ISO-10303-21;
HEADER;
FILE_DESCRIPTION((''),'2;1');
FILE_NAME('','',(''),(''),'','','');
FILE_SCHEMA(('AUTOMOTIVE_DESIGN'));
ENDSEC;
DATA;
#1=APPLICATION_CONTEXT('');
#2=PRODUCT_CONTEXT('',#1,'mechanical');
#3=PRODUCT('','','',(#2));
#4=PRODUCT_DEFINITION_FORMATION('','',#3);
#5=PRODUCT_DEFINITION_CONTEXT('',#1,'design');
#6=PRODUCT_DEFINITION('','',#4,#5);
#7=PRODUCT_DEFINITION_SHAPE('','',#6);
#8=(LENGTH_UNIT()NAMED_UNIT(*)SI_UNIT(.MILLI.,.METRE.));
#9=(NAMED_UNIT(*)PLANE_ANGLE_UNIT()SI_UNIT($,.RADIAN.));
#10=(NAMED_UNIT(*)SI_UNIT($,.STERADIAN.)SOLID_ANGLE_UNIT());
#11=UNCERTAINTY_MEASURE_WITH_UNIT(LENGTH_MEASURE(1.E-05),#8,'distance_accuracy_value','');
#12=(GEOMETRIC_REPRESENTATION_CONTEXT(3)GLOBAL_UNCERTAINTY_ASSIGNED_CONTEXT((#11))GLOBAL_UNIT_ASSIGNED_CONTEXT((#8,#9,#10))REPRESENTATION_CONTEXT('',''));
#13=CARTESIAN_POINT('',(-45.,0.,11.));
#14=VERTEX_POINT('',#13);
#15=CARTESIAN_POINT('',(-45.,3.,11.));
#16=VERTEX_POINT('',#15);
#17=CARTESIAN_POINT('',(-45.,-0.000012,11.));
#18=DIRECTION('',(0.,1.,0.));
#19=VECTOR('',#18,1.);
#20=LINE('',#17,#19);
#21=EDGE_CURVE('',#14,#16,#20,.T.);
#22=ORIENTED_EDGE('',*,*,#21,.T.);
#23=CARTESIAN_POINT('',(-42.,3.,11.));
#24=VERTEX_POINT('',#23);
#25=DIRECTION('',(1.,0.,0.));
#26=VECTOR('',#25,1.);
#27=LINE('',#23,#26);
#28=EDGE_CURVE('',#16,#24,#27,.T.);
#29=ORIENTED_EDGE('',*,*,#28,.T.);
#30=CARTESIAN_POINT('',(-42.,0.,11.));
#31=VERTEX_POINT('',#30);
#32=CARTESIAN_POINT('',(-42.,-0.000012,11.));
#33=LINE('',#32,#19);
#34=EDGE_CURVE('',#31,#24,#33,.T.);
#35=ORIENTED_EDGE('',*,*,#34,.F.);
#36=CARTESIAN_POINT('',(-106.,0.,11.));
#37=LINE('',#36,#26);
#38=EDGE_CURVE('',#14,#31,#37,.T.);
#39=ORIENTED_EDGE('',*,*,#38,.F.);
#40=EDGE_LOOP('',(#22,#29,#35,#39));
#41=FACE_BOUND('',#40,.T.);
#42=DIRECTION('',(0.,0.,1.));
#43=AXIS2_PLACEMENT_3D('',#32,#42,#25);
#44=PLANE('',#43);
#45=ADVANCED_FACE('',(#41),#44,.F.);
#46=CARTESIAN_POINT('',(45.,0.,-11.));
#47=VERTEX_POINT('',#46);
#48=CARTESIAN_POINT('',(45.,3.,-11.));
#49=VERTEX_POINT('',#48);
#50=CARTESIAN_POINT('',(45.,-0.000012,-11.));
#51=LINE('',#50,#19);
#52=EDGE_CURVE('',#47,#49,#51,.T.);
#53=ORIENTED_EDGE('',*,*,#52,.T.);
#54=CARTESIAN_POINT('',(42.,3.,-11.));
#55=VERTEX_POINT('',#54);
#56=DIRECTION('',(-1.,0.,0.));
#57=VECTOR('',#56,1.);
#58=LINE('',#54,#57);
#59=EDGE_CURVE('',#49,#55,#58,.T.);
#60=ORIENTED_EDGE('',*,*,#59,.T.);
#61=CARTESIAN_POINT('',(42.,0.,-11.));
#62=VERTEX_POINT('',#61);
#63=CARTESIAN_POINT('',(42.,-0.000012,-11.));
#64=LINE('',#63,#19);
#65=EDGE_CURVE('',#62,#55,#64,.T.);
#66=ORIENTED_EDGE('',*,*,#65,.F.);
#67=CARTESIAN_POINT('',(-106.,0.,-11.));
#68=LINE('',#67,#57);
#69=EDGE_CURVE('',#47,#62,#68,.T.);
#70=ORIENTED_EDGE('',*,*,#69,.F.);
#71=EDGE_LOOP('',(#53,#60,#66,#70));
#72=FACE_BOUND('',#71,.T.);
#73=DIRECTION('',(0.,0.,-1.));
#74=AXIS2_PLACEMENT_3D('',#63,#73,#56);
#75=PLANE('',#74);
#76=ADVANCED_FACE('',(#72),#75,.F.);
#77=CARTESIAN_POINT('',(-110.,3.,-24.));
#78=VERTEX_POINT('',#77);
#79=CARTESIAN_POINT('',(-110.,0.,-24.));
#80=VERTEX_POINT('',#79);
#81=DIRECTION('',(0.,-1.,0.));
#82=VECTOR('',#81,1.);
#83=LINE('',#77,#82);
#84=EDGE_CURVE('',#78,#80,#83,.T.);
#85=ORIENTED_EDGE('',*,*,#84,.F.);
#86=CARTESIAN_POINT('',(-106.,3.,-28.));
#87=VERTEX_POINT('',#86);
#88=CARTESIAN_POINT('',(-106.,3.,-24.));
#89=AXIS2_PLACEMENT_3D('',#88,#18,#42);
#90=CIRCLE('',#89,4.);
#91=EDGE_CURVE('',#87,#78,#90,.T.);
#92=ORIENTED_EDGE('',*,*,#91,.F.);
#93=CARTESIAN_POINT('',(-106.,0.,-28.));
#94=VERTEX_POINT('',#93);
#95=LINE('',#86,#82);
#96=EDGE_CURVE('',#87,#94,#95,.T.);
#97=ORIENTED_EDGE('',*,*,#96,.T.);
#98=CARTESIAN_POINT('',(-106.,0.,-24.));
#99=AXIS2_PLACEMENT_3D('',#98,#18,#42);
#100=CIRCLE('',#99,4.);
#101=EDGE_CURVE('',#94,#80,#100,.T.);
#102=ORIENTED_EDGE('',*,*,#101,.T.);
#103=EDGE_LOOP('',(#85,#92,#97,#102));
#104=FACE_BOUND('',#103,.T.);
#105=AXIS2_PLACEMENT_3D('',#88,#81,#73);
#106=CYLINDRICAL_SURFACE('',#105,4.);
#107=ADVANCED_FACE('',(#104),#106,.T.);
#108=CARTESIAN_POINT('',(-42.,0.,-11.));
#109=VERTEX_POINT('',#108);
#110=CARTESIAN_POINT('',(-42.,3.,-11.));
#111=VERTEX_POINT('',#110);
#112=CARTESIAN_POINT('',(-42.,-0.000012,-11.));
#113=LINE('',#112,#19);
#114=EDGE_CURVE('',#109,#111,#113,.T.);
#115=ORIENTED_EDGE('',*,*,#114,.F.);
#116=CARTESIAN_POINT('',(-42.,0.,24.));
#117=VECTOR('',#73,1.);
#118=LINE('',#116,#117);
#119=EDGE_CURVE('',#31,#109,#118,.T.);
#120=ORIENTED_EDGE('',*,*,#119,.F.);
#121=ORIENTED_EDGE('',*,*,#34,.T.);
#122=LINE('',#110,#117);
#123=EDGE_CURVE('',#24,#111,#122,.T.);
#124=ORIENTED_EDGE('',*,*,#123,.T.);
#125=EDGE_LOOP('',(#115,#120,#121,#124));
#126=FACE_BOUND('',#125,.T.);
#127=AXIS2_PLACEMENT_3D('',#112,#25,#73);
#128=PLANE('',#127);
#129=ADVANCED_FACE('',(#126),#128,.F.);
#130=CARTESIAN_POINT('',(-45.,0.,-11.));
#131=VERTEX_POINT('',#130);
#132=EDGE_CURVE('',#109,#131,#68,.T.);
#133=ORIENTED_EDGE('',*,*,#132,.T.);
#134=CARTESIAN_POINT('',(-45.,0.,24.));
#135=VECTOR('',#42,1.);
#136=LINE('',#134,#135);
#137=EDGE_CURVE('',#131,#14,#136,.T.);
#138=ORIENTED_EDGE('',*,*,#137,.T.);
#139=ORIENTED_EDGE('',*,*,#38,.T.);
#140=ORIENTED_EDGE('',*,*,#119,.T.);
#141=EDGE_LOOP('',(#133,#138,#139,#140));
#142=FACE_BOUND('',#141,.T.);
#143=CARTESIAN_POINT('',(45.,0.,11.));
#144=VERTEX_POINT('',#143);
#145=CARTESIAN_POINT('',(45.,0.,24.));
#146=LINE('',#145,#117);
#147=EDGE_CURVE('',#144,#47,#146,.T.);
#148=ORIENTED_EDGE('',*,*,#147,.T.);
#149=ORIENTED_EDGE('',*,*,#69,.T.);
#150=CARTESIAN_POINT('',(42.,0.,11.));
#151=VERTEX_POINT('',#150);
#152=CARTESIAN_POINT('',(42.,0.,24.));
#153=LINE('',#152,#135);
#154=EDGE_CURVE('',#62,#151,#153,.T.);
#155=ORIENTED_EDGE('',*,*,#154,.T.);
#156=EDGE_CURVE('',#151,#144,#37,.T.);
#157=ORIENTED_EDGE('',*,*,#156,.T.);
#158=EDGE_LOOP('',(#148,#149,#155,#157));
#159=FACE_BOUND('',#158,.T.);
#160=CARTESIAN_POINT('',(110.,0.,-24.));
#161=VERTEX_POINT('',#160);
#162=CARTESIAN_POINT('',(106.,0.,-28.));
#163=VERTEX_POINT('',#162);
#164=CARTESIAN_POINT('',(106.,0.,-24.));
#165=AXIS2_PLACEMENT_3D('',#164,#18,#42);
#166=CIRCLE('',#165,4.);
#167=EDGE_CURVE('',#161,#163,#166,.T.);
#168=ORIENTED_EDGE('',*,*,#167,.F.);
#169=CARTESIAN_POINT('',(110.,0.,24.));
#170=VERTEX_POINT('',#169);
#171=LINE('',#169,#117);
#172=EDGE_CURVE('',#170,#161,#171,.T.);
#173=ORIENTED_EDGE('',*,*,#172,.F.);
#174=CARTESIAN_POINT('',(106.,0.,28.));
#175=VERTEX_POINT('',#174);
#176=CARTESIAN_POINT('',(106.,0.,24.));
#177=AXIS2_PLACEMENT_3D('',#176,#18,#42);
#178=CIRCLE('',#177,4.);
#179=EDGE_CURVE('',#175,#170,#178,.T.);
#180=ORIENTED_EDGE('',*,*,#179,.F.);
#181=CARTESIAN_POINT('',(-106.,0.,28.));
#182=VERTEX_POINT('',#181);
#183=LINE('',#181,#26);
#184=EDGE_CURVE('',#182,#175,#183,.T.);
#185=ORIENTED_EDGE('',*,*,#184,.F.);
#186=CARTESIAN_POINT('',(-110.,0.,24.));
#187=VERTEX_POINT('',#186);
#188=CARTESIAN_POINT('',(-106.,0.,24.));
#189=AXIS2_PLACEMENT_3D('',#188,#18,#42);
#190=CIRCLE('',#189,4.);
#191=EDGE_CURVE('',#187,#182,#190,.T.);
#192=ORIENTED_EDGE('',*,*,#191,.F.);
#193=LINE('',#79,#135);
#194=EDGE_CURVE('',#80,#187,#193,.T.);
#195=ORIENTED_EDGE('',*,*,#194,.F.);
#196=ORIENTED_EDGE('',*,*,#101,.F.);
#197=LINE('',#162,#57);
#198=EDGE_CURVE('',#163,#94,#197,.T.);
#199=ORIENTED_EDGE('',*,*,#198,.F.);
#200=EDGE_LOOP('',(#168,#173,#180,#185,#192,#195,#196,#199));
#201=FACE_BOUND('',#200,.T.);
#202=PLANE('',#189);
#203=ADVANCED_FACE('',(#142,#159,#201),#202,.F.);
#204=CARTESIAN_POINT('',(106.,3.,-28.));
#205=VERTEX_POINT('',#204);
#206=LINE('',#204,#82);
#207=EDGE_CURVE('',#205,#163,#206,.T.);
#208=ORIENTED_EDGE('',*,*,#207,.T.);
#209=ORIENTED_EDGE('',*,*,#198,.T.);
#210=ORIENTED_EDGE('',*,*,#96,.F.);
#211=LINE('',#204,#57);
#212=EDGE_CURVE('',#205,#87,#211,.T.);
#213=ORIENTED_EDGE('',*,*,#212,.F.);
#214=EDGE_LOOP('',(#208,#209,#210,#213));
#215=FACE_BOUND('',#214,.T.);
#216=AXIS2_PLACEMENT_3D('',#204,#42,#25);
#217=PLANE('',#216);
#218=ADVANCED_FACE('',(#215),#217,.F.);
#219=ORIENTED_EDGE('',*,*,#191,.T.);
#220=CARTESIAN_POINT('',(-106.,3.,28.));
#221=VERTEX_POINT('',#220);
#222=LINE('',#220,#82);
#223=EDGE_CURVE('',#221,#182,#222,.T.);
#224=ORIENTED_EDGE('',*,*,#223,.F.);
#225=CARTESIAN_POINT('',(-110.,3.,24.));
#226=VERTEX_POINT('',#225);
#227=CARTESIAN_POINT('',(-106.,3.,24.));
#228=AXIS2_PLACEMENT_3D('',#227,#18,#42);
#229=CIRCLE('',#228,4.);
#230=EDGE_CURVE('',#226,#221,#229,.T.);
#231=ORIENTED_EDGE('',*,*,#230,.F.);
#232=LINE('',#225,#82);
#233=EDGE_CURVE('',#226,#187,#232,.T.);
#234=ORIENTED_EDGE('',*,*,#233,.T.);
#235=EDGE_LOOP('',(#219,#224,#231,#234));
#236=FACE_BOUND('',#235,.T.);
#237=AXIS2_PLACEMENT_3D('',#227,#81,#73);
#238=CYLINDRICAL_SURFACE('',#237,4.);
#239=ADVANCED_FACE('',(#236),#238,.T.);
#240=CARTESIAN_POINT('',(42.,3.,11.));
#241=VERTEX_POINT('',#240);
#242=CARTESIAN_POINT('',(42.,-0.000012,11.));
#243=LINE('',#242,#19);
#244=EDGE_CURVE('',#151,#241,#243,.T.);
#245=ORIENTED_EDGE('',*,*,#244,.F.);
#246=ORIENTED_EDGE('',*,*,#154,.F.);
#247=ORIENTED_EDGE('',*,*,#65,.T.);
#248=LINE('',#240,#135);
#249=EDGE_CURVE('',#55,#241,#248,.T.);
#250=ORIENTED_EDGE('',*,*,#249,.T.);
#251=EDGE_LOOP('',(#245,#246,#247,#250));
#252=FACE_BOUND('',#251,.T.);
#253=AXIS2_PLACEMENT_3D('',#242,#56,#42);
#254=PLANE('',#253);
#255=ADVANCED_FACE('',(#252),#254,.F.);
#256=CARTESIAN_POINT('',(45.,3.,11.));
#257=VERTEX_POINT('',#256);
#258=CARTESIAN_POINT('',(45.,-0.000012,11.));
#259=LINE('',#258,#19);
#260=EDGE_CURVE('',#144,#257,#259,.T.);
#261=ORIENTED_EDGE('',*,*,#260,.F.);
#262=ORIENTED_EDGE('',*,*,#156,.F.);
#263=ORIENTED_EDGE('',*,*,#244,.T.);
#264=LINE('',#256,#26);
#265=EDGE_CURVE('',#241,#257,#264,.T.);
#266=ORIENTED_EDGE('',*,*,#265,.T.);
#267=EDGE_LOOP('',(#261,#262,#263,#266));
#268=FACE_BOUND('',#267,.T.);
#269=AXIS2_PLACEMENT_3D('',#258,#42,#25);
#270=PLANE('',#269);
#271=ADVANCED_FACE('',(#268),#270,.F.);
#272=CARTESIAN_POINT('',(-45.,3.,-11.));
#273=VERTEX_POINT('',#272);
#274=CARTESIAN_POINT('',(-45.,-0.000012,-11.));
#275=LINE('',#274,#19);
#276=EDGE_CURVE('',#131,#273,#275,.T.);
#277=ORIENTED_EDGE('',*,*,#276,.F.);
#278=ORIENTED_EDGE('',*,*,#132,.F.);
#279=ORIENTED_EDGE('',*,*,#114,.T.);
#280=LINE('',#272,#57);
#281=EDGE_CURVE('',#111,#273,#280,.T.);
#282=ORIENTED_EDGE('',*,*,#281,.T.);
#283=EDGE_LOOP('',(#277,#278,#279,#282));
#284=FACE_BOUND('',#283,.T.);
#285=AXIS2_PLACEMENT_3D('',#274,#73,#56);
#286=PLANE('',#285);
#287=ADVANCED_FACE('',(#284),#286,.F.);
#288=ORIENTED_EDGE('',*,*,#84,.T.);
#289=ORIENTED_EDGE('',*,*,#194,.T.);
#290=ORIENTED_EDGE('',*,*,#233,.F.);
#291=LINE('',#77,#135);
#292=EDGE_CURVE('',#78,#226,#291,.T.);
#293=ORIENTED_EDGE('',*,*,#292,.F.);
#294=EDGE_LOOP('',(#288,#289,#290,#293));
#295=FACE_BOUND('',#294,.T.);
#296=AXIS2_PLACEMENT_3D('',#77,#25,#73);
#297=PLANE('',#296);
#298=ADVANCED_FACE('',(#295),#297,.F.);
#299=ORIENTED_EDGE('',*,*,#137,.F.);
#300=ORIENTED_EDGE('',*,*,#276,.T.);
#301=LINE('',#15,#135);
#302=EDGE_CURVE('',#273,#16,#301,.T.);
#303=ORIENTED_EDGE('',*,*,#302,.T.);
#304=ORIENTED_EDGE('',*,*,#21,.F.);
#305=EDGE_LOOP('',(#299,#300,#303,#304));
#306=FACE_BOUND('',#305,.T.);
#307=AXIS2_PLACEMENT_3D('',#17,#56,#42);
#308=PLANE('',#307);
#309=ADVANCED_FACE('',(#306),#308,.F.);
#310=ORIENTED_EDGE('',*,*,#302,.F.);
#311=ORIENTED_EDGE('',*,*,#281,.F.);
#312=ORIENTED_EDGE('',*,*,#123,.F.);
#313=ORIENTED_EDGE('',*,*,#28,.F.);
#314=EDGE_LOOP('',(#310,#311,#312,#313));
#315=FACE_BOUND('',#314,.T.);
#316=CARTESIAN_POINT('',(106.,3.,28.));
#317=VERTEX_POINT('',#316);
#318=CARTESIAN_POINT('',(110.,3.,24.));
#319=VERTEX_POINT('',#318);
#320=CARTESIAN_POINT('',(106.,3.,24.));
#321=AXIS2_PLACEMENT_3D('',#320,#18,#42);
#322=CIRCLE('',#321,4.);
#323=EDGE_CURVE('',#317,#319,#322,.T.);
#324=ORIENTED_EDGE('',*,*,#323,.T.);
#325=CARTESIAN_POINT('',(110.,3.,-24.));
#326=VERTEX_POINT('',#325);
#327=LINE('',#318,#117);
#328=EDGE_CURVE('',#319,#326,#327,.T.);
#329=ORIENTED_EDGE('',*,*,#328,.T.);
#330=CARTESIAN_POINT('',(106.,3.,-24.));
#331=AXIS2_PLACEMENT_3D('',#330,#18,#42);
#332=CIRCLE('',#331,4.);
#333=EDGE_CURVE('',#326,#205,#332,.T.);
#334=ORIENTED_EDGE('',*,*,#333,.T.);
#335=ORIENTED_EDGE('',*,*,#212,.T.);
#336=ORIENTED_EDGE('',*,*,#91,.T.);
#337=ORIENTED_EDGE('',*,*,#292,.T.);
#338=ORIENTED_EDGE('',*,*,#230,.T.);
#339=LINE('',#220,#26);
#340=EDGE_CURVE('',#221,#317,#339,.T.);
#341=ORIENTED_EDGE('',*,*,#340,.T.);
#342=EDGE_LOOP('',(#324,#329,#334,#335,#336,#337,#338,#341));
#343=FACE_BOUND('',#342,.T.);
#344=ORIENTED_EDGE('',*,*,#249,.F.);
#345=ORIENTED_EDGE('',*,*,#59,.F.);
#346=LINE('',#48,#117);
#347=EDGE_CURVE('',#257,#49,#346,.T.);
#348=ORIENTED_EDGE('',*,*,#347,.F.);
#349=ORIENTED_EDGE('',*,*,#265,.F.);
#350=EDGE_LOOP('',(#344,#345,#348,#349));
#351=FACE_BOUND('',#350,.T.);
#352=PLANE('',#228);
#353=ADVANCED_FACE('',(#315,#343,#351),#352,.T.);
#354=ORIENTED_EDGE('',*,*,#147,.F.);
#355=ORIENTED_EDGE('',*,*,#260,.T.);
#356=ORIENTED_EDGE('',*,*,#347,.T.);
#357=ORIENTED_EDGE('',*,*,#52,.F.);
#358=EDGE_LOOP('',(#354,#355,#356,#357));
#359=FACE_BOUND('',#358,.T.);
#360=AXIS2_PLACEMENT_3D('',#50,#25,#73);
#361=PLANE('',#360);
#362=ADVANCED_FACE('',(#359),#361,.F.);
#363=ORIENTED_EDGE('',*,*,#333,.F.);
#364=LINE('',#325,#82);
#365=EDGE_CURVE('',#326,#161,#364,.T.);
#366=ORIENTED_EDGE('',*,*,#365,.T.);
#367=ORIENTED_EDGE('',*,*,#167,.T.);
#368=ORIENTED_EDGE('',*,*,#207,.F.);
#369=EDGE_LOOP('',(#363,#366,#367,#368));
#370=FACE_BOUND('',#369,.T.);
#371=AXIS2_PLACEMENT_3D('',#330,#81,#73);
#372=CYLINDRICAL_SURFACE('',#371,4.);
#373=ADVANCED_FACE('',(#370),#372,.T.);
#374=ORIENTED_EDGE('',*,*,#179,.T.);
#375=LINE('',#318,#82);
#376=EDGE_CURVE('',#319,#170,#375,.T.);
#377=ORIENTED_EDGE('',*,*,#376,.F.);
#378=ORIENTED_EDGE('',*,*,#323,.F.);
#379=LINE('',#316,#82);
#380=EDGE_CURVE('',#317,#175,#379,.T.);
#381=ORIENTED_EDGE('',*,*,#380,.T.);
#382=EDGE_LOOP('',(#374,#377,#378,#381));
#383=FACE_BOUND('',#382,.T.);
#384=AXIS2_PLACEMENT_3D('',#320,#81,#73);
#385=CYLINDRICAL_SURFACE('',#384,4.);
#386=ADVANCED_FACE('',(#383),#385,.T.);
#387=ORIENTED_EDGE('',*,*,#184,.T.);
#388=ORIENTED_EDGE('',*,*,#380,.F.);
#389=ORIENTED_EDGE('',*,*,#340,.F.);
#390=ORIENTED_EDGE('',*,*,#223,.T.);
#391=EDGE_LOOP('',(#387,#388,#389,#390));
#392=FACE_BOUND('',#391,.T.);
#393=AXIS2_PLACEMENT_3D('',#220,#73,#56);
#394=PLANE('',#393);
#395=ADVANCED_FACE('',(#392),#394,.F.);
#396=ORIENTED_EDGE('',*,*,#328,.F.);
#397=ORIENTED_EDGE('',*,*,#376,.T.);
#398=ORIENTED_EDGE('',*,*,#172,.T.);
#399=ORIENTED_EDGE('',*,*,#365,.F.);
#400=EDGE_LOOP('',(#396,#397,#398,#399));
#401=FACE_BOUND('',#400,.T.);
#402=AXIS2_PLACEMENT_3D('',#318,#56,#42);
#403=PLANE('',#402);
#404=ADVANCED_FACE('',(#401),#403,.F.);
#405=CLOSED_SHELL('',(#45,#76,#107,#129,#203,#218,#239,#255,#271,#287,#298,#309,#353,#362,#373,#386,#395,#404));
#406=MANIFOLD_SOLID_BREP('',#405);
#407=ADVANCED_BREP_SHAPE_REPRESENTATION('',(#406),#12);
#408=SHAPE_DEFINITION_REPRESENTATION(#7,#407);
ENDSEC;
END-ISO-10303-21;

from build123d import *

# Parameters (mm, degrees)
BOSS_EXTRUDE1_DEPTH     = 3
CUT_EXTRUDE1_DEPTH      = 114.547346953
CUT_EXTRUDE1_DEPTH_BACK = 114.547346953
SKETCH2_W               = 3
SKETCH2_H               = 22


with BuildPart() as part:
    # Sketch1 → Boss-Extrude1 (new body)
    with BuildSketch(Plane(origin=(0, 0, 0), x_dir=(1, 0, 0), z_dir=(0, 1, 0))):
        with BuildLine():
            Line((-106, -28), (106, -28))
            ThreePointArc((106, -28), (108.828427125, -26.828427125), (110, -24))
            Line((110, -24), (110, 24))
            ThreePointArc((110, 24), (108.828427125, 26.828427125), (106, 28))
            Line((106, 28), (-106, 28))
            ThreePointArc((-106, 28), (-108.828427125, 26.828427125), (-110, 24))
            Line((-110, 24), (-110, -24))
            ThreePointArc((-110, -24), (-108.828427125, -26.828427125), (-106, -28))
        make_face()
    extrude(amount=BOSS_EXTRUDE1_DEPTH)

    # Sketch2 → Cut-Extrude1 (cut, two sides: drawn at the far end of the back side and taken through both)
    with BuildSketch(Plane(origin=(0, 0, 0), x_dir=(1, 0, 0), z_dir=(0, 1, 0)).offset(-CUT_EXTRUDE1_DEPTH_BACK)):
        with Locations((-43.5, 0)):
            Rectangle(SKETCH2_W, SKETCH2_H)
        with Locations((43.5, 0)):
            Rectangle(SKETCH2_W, SKETCH2_H)
    extrude(amount=CUT_EXTRUDE1_DEPTH + CUT_EXTRUDE1_DEPTH_BACK, mode=Mode.SUBTRACT)


solid = part.part
